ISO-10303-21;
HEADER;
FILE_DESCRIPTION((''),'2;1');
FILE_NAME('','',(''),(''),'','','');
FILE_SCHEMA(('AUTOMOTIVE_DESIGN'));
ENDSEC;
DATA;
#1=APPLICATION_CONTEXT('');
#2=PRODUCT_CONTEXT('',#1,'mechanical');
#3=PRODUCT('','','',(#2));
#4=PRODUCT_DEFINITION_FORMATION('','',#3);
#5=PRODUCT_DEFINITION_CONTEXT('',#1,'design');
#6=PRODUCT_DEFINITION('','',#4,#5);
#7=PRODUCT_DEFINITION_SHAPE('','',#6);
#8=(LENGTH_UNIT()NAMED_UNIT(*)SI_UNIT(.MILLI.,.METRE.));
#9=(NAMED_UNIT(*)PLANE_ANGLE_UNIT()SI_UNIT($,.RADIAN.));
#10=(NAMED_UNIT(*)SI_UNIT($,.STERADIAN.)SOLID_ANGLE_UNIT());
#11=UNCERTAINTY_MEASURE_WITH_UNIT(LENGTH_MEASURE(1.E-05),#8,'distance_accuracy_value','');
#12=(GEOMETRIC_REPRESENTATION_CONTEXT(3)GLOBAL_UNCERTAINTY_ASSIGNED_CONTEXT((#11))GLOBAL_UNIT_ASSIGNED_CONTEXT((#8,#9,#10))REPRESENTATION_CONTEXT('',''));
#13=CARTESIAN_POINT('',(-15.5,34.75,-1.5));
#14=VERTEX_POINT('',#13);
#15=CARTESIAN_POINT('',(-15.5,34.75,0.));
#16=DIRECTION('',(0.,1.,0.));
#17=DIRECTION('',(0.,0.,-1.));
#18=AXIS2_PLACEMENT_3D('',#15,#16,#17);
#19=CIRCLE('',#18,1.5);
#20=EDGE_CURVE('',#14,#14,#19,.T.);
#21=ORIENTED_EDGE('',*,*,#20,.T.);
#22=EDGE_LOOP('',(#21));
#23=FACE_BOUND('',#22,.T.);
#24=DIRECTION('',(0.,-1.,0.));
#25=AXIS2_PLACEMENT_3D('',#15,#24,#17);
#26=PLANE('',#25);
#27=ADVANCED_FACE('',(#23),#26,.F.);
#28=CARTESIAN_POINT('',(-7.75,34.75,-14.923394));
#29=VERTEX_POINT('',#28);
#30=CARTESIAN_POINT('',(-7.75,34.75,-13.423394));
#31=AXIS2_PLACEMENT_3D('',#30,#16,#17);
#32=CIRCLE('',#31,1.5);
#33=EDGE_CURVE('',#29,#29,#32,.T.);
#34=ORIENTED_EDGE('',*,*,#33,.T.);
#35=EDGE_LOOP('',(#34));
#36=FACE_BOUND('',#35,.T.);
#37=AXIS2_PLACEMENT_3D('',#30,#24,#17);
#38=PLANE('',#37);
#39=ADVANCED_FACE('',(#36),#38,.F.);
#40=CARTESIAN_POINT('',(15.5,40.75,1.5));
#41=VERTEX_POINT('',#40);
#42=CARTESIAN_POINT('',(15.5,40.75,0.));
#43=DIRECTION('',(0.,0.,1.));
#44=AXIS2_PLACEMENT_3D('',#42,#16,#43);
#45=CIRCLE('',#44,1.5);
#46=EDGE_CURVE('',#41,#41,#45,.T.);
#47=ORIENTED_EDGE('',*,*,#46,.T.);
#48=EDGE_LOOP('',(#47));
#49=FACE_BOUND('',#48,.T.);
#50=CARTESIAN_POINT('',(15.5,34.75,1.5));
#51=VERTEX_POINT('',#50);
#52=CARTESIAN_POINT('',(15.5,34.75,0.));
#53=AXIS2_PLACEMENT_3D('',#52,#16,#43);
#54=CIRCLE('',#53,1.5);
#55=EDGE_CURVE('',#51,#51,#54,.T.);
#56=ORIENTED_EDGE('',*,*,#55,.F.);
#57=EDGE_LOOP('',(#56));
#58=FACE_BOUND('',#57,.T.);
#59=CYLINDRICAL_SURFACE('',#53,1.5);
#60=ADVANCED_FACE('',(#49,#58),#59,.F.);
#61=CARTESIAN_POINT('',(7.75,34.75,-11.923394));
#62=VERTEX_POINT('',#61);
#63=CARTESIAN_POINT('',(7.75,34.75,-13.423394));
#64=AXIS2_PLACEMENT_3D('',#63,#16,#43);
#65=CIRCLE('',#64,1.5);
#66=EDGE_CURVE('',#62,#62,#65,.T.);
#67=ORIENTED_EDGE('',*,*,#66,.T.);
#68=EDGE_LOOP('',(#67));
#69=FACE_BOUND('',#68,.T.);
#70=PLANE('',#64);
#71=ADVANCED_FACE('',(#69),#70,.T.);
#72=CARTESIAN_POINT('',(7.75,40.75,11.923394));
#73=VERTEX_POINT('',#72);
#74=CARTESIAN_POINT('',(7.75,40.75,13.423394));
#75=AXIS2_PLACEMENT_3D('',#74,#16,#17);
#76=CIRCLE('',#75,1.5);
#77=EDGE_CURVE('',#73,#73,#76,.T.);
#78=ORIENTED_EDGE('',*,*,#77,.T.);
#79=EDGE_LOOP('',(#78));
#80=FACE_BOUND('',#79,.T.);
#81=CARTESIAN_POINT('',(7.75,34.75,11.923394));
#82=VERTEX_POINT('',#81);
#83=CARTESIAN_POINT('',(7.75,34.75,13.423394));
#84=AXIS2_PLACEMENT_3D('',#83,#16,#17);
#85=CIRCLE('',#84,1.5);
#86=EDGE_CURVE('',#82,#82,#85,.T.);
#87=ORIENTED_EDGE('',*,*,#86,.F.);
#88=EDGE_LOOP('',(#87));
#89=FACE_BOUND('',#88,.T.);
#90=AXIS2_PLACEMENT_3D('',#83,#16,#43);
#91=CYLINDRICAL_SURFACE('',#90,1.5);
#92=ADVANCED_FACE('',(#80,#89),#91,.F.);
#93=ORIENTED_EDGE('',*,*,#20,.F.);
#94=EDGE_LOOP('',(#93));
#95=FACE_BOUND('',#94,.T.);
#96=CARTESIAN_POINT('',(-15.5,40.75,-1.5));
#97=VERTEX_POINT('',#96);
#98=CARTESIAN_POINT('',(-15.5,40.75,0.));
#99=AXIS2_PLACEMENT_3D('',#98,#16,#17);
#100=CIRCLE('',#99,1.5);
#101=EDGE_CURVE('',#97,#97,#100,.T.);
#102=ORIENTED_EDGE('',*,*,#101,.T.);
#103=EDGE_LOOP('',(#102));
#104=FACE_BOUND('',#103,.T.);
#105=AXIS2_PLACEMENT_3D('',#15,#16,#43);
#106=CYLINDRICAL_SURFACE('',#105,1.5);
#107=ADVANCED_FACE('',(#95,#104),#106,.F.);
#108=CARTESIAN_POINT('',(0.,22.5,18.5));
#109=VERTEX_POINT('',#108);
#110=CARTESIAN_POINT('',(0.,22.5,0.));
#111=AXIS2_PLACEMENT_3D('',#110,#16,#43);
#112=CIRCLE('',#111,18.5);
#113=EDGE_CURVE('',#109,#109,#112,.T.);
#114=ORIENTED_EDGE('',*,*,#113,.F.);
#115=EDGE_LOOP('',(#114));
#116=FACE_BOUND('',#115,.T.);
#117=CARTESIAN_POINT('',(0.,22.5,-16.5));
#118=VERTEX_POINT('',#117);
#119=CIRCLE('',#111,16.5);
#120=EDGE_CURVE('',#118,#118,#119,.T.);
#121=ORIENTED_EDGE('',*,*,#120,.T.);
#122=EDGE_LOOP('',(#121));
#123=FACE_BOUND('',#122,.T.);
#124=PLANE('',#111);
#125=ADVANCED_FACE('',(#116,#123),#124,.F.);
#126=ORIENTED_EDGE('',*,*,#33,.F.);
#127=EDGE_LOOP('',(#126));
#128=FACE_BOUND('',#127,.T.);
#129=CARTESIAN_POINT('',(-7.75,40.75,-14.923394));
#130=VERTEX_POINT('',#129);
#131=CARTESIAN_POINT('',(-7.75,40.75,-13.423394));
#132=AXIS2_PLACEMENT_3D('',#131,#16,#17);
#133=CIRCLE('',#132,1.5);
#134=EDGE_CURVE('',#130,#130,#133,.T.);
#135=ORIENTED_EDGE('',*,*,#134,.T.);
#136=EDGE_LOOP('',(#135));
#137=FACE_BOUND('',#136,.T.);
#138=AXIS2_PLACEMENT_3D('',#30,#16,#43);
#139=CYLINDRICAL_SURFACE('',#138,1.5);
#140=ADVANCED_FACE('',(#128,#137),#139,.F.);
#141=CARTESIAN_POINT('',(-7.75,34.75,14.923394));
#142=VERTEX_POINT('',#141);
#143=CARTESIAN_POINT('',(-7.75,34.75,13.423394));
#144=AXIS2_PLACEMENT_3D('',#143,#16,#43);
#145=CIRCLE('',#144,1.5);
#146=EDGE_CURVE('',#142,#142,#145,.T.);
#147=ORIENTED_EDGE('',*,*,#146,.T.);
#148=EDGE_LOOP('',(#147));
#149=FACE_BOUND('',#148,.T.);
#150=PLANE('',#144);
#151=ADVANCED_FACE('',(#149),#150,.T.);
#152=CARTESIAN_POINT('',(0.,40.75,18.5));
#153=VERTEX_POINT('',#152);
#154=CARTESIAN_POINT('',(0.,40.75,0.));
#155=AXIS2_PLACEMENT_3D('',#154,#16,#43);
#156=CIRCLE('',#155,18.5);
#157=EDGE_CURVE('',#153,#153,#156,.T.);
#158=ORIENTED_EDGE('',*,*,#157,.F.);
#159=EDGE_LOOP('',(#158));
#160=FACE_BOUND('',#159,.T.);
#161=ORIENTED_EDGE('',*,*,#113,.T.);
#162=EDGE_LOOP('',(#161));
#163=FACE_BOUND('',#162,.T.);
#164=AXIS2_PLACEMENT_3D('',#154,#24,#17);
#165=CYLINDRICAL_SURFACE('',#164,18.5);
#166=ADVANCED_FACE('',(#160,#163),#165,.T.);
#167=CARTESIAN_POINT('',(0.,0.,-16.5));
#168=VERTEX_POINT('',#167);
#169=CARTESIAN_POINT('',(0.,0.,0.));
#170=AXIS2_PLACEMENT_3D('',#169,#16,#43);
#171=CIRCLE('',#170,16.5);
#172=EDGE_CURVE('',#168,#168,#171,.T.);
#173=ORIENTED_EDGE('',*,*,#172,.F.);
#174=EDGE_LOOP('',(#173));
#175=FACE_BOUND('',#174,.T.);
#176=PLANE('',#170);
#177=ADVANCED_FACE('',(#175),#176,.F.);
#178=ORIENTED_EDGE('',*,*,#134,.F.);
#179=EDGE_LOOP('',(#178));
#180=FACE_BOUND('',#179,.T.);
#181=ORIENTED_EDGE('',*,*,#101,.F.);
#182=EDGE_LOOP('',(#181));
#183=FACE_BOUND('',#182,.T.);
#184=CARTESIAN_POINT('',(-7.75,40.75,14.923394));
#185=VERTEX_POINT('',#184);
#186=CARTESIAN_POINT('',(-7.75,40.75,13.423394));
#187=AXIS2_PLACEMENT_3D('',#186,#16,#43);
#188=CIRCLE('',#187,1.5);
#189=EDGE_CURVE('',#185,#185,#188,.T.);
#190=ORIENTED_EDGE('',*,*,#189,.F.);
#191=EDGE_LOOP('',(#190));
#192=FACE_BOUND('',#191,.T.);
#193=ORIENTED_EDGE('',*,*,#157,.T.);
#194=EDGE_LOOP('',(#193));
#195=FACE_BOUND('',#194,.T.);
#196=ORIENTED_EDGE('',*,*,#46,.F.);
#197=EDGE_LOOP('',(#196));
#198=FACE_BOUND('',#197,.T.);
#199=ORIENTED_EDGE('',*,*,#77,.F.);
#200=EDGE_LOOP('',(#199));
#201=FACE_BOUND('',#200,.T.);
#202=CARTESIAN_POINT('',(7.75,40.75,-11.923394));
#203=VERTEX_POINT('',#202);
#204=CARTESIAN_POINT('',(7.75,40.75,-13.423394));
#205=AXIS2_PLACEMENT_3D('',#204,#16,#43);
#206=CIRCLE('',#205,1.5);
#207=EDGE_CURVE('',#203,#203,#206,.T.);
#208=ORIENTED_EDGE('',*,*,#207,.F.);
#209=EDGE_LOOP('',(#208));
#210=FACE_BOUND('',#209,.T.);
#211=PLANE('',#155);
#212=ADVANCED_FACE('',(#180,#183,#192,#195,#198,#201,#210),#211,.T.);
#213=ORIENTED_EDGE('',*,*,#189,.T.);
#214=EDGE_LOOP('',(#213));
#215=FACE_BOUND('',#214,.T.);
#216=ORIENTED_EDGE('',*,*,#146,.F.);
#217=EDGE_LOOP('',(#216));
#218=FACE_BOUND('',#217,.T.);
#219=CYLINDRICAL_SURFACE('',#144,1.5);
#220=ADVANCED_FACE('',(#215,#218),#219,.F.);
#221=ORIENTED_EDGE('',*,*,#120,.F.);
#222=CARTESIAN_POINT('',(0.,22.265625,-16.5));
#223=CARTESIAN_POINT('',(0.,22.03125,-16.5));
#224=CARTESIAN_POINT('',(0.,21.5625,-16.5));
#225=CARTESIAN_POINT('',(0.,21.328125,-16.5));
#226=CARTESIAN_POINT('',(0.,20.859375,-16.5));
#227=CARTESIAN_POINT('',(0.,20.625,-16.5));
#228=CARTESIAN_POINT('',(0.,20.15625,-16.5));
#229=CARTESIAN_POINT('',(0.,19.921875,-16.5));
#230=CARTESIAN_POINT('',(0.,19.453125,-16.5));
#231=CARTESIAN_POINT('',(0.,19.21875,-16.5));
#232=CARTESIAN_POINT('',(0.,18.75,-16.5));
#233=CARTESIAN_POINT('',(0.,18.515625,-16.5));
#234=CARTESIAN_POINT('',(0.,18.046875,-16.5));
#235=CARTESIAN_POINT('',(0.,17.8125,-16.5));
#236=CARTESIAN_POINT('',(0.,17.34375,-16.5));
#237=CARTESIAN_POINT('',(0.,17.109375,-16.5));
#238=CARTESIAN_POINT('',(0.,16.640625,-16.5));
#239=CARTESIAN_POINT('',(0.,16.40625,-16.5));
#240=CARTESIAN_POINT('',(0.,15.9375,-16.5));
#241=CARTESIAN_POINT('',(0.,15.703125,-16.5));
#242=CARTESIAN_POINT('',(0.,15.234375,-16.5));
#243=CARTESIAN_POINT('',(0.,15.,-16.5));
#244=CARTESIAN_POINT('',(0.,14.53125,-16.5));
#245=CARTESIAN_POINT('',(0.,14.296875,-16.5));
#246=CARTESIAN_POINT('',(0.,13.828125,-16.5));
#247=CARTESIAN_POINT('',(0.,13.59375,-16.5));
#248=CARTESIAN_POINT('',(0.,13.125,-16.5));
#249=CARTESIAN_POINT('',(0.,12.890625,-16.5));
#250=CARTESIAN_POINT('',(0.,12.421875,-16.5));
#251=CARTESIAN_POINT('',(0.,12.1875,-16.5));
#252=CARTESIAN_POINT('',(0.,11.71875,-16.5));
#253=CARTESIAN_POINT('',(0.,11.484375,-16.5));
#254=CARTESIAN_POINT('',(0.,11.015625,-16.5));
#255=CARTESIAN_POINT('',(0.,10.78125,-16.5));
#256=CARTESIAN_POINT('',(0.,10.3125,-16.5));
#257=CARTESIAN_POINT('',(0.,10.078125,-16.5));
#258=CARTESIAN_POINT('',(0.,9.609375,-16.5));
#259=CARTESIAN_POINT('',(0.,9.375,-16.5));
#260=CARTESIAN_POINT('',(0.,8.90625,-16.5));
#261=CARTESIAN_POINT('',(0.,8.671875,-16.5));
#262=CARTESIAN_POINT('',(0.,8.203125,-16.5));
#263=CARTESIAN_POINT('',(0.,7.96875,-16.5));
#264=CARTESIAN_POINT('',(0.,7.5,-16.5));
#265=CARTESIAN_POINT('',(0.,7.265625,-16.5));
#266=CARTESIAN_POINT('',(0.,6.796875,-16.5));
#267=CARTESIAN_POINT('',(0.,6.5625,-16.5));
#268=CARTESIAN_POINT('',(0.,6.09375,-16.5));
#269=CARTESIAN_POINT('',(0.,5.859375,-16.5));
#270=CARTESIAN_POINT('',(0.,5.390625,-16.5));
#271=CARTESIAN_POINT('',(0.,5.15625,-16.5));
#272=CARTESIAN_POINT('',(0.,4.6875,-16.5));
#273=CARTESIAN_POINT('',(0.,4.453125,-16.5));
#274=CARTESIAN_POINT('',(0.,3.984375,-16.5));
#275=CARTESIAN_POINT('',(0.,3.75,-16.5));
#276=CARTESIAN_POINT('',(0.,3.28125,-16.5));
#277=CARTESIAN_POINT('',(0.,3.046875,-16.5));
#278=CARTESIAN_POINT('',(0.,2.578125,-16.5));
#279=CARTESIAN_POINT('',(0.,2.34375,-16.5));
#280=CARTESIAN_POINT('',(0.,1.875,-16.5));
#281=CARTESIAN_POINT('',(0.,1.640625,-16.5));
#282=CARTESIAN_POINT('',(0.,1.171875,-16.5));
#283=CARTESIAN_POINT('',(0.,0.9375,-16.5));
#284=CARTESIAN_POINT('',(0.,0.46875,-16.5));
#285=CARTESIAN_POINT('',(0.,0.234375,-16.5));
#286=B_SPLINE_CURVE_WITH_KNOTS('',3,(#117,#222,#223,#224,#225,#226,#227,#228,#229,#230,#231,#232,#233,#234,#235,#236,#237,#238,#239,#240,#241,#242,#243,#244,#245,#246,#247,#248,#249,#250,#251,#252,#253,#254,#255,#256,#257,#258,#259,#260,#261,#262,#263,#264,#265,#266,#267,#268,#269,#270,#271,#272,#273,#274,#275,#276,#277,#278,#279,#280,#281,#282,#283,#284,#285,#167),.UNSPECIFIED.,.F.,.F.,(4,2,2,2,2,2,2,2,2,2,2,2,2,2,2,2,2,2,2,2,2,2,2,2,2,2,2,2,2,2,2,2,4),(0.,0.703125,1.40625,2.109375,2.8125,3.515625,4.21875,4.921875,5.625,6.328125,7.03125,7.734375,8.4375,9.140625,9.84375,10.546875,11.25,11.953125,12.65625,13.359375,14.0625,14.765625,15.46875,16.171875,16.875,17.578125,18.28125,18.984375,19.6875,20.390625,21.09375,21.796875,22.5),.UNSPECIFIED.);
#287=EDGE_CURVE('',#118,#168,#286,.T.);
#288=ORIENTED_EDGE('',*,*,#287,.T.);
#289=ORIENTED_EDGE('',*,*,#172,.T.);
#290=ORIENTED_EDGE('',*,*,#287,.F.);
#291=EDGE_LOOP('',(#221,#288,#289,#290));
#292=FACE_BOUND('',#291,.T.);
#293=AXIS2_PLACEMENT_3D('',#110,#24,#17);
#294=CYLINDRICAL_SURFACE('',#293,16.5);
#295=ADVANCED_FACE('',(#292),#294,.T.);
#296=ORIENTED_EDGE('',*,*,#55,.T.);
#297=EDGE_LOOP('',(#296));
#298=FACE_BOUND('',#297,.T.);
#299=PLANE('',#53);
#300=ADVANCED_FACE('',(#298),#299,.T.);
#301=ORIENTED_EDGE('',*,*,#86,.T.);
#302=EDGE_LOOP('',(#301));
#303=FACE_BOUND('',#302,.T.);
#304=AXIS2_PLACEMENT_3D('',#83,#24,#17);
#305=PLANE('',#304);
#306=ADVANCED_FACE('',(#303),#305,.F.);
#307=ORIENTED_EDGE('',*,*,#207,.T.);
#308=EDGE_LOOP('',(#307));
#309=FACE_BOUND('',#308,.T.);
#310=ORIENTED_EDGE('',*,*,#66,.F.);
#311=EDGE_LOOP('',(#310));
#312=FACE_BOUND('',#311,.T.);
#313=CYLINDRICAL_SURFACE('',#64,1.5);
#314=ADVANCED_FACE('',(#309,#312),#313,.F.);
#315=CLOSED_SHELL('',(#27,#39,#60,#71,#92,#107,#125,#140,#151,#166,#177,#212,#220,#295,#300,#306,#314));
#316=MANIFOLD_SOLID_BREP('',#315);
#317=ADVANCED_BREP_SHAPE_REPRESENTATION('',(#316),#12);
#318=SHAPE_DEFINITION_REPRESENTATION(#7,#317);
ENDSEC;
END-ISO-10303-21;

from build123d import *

# Parameters (mm, degrees)
SKETCH1_R           = 16.5
BOSS_EXTRUDE1_DEPTH = 22.5
SKETCH2_R           = 18.5
BOSS_EXTRUDE2_DEPTH = 18.25
SKETCH7_R           = 1.5
CUT_EXTRUDE2_DEPTH  = 6


with BuildPart() as part:
    # Sketch1 → Boss-Extrude1 (new body)
    with BuildSketch(Plane(origin=(0, 0, 0), x_dir=(1, 0, 0), z_dir=(0, 1, 0))):
        with Locations(Location((0, 0, 0), (0, 0, 90))):
            Circle(SKETCH1_R)
    extrude(amount=BOSS_EXTRUDE1_DEPTH)

    # Sketch2 → Boss-Extrude2 (add)
    with BuildSketch(Plane(origin=(0, 22.5, 0), x_dir=(1, 0, 0), z_dir=(0, 1, 0))):
        with Locations(Location((0, 0, 0), (0, 0, 270))):
            Circle(SKETCH2_R)
    extrude(amount=BOSS_EXTRUDE2_DEPTH)

    # Sketch7 → Cut-Extrude2 (cut)
    with BuildSketch(Plane(origin=(0, 40.75, 0), x_dir=(1, 0, 0), z_dir=(0, 1, 0))):
        with Locations(Location((15.5, 0, 0), (0, 0, 270))):
            Circle(SKETCH7_R)
        with Locations(Location((7.75, 13.423393759, 0), (0, 0, 270))):
            Circle(SKETCH7_R)
        with Locations(Location((-15.5, 0, 0), (0, 0, 90))):
            Circle(SKETCH7_R)
        with Locations(Location((-7.75, 13.423393759, 0), (0, 0, 90))):
            Circle(SKETCH7_R)
        with Locations(Location((7.75, -13.423393759, 0), (0, 0, 90))):
            Circle(SKETCH7_R)
        with Locations(Location((-7.75, -13.423393759, 0), (0, 0, 270))):
            Circle(SKETCH7_R)
    extrude(amount=-CUT_EXTRUDE2_DEPTH, mode=Mode.SUBTRACT)


solid = part.part
